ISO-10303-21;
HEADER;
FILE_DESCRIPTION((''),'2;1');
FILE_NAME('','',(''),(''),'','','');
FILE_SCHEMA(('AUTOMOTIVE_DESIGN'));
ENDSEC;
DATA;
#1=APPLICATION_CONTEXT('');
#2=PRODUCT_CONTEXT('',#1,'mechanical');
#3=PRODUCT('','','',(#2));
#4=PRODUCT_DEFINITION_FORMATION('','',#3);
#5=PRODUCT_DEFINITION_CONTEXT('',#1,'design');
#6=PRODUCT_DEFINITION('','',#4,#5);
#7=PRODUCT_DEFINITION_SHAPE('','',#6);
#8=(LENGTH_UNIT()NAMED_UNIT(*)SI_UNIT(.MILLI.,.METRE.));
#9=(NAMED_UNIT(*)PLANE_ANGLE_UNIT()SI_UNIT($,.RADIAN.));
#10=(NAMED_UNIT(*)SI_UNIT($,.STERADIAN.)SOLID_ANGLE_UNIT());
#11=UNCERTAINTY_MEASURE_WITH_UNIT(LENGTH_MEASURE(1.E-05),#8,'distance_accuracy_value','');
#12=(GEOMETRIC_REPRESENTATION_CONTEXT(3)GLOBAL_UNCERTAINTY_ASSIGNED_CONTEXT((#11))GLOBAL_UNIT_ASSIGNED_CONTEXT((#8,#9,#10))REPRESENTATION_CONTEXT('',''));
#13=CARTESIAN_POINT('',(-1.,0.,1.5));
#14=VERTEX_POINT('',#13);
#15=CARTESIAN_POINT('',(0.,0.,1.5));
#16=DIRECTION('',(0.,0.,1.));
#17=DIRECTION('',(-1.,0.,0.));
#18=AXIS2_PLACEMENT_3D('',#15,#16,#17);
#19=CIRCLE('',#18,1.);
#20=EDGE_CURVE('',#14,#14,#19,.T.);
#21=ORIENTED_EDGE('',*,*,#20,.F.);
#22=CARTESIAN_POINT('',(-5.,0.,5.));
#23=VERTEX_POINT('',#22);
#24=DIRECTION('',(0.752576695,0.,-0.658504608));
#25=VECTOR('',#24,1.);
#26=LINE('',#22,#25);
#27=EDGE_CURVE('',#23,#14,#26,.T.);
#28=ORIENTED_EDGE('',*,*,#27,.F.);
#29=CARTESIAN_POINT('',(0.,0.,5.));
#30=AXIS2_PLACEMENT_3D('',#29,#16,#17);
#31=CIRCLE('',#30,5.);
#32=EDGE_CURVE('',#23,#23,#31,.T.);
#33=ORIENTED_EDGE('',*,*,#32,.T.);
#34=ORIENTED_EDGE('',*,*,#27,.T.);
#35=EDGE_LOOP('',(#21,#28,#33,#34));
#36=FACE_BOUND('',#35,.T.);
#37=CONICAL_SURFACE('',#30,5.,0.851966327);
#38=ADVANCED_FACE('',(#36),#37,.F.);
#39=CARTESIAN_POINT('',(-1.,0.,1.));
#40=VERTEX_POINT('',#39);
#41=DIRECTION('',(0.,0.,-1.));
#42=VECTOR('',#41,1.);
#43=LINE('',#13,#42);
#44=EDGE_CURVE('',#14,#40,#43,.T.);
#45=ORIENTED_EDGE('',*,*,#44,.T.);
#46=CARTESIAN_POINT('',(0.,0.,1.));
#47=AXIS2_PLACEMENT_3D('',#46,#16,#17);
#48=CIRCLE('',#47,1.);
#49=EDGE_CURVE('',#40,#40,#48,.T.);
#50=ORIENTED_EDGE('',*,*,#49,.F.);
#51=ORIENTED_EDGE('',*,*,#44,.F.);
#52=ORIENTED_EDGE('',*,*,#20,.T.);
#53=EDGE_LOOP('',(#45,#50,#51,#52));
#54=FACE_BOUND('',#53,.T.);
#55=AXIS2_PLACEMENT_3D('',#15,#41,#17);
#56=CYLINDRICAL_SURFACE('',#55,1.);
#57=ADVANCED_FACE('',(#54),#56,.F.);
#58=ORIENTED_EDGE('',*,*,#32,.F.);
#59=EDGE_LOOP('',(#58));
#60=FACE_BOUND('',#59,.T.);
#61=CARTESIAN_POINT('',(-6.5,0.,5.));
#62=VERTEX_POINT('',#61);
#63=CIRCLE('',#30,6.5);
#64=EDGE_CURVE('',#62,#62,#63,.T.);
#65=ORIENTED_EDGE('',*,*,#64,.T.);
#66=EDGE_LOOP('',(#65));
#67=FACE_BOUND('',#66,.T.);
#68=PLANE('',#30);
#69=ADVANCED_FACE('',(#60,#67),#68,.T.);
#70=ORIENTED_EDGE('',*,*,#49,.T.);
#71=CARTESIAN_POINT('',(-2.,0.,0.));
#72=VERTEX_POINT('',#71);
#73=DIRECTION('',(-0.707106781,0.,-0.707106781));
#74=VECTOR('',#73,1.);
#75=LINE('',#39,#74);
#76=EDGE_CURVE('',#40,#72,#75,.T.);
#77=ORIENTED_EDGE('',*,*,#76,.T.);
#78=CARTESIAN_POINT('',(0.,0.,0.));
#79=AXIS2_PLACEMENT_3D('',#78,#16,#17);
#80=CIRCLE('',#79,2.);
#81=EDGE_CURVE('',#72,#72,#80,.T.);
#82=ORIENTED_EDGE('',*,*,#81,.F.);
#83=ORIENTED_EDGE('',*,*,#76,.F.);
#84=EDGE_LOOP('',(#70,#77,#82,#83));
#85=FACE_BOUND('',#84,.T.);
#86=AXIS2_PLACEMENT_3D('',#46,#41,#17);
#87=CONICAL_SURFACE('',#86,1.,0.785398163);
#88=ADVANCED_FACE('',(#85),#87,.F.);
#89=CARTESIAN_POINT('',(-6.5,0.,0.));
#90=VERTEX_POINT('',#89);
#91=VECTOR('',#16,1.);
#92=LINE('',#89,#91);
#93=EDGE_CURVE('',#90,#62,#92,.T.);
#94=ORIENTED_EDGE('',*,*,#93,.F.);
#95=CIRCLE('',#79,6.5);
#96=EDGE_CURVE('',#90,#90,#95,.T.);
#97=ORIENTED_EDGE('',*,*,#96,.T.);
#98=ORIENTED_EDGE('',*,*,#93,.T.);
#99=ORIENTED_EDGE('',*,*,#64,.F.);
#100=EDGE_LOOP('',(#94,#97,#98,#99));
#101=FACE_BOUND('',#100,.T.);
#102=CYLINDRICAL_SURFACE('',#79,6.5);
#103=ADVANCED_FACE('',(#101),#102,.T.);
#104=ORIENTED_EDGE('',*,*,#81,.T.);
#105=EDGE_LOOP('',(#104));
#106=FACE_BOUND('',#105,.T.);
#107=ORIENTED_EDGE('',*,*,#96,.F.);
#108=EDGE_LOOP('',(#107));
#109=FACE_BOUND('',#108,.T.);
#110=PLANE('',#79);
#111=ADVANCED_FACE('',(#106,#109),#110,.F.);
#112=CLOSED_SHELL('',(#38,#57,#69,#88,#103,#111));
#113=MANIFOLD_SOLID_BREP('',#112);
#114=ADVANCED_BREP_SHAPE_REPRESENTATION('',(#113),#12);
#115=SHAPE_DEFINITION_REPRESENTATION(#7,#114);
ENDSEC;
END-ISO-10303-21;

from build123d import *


with BuildPart() as part:
    # Sketch2_bp → Revolution2 (revolve)
    with BuildSketch(Plane(origin=(0, 0, 0), x_dir=(-1, 0, 0), z_dir=(0, 1, 0))):
        Polygon((6.5, 0), (6.5, 5), (5, 5), (1, 1.5), (1, 1), (2, 0), align=None)
    revolve(axis=Axis((0, 0, -10), (0, 0, 1)))


solid = part.part
